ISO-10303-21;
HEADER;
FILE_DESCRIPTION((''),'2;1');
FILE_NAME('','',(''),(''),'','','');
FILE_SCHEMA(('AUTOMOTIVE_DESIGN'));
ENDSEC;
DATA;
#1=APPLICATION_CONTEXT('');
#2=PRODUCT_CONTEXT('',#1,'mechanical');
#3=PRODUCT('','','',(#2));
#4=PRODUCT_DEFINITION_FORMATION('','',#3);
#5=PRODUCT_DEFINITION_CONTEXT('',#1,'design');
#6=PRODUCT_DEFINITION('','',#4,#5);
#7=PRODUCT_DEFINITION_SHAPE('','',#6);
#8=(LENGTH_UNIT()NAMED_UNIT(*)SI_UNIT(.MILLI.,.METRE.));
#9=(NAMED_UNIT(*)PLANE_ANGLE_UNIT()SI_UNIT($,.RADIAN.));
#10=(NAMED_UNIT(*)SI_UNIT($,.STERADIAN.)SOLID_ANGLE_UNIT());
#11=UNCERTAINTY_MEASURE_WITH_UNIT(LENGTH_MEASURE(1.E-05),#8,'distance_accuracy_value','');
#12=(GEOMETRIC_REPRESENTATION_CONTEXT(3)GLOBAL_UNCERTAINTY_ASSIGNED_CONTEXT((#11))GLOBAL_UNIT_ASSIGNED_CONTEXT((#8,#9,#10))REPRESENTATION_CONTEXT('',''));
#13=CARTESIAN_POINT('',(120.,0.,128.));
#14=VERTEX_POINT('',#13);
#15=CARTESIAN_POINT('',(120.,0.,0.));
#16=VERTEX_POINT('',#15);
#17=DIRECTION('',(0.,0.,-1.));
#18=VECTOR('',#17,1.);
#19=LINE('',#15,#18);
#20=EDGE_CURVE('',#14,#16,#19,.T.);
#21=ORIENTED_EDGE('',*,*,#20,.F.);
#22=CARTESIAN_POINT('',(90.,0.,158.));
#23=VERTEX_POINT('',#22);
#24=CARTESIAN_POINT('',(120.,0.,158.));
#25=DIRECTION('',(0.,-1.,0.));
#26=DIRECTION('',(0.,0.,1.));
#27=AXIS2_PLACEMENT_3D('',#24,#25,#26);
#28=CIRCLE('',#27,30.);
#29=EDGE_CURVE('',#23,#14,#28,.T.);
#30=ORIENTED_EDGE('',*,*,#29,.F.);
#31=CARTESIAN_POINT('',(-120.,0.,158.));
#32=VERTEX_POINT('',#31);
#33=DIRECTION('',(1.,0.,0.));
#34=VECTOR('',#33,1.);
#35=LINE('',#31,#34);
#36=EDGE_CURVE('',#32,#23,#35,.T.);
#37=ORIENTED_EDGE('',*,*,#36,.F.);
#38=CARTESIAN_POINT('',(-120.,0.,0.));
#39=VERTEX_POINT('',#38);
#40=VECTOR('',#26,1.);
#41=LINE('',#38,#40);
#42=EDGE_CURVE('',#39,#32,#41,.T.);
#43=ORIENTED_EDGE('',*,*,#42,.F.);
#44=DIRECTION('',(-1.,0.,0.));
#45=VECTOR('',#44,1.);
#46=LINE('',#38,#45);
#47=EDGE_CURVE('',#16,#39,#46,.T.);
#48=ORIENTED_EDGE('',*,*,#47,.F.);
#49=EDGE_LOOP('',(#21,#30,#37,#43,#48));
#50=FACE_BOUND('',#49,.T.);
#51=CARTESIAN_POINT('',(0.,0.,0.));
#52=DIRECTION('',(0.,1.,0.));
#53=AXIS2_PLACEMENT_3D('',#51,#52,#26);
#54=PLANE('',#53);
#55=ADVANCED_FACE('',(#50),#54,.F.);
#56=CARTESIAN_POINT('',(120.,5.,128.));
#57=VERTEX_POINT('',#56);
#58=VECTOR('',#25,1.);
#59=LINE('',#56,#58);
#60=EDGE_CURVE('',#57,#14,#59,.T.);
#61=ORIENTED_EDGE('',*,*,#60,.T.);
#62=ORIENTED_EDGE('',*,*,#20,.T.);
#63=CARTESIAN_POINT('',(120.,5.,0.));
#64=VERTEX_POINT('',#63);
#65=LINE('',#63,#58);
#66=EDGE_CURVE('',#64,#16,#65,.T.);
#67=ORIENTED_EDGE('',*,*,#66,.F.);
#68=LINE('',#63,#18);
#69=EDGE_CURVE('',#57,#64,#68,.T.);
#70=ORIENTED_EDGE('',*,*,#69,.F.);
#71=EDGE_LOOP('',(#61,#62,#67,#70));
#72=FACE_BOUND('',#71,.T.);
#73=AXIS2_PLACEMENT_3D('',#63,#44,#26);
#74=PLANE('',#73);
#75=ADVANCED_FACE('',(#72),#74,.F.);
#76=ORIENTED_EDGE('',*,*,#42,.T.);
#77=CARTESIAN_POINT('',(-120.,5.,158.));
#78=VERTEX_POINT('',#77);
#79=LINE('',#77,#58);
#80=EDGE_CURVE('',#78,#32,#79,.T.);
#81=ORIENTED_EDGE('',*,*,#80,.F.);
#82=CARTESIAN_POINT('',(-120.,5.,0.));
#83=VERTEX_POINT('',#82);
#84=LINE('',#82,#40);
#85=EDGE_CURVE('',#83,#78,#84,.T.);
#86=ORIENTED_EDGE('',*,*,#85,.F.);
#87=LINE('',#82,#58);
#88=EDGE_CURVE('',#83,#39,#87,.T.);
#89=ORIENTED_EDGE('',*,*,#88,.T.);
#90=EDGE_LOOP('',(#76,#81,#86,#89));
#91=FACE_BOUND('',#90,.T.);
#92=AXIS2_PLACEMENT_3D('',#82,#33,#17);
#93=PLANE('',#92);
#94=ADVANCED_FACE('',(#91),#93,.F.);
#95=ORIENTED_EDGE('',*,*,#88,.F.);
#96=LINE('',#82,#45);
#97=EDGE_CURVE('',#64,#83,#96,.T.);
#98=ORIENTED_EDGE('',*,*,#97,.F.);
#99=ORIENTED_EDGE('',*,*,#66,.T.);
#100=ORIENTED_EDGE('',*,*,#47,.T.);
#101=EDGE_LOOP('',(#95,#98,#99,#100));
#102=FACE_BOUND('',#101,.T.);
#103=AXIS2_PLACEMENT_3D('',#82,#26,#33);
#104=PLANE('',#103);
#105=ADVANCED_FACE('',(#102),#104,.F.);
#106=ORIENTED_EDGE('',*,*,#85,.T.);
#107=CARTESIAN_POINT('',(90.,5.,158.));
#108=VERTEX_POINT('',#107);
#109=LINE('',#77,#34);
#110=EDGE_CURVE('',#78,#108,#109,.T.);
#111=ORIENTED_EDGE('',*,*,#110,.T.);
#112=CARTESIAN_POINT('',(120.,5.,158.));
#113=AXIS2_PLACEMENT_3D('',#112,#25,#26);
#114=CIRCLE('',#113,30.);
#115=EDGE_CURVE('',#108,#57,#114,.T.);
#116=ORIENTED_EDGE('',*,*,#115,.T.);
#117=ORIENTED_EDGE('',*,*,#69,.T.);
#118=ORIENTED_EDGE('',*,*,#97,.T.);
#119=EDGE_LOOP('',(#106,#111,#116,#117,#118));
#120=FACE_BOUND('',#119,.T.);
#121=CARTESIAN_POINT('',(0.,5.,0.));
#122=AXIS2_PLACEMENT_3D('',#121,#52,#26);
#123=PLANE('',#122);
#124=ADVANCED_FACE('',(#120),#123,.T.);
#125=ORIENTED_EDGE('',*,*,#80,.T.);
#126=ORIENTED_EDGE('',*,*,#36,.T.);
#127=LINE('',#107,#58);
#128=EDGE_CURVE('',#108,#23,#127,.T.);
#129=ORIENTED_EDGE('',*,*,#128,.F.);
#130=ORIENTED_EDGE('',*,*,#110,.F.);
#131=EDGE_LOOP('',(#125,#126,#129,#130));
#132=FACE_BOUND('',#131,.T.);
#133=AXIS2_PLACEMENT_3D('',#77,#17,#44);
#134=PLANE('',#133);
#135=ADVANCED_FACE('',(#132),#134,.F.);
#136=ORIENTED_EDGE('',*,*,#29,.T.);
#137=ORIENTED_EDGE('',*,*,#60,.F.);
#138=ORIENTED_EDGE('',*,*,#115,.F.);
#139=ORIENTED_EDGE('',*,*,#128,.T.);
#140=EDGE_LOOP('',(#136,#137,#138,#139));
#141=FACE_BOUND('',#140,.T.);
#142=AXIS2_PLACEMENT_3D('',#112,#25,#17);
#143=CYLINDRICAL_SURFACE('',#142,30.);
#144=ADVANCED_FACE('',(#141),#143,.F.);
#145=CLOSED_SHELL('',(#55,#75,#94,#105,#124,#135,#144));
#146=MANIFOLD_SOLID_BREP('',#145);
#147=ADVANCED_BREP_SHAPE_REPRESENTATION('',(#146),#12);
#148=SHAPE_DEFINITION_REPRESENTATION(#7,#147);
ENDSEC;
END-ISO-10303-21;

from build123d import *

# Parameters (mm, degrees)
SKETCH1_W           = 240
SKETCH1_H           = 158
BOSS_EXTRUDE1_DEPTH = 5
CUT_EXTRUDE1_DEPTH  = 6


with BuildPart() as part:
    # Sketch1 → Boss-Extrude1 (new body)
    with BuildSketch(Plane(origin=(0, 0, 0), x_dir=(1, 0, 0), z_dir=(0, 1, 0))):
        with Locations((0, -79)):
            Rectangle(SKETCH1_W, SKETCH1_H)
    extrude(amount=BOSS_EXTRUDE1_DEPTH)

    # Sketch5 → Cut-Extrude1 (cut, through all)
    with BuildSketch(Plane.XZ):
        with BuildLine():
            Line((120, 158), (120, 128))
            ThreePointArc((120, 128), (98.786796564, 136.786796564), (90, 158))
            Line((90, 158), (120, 158))
        make_face()
    extrude(amount=-CUT_EXTRUDE1_DEPTH, mode=Mode.SUBTRACT)


solid = part.part
